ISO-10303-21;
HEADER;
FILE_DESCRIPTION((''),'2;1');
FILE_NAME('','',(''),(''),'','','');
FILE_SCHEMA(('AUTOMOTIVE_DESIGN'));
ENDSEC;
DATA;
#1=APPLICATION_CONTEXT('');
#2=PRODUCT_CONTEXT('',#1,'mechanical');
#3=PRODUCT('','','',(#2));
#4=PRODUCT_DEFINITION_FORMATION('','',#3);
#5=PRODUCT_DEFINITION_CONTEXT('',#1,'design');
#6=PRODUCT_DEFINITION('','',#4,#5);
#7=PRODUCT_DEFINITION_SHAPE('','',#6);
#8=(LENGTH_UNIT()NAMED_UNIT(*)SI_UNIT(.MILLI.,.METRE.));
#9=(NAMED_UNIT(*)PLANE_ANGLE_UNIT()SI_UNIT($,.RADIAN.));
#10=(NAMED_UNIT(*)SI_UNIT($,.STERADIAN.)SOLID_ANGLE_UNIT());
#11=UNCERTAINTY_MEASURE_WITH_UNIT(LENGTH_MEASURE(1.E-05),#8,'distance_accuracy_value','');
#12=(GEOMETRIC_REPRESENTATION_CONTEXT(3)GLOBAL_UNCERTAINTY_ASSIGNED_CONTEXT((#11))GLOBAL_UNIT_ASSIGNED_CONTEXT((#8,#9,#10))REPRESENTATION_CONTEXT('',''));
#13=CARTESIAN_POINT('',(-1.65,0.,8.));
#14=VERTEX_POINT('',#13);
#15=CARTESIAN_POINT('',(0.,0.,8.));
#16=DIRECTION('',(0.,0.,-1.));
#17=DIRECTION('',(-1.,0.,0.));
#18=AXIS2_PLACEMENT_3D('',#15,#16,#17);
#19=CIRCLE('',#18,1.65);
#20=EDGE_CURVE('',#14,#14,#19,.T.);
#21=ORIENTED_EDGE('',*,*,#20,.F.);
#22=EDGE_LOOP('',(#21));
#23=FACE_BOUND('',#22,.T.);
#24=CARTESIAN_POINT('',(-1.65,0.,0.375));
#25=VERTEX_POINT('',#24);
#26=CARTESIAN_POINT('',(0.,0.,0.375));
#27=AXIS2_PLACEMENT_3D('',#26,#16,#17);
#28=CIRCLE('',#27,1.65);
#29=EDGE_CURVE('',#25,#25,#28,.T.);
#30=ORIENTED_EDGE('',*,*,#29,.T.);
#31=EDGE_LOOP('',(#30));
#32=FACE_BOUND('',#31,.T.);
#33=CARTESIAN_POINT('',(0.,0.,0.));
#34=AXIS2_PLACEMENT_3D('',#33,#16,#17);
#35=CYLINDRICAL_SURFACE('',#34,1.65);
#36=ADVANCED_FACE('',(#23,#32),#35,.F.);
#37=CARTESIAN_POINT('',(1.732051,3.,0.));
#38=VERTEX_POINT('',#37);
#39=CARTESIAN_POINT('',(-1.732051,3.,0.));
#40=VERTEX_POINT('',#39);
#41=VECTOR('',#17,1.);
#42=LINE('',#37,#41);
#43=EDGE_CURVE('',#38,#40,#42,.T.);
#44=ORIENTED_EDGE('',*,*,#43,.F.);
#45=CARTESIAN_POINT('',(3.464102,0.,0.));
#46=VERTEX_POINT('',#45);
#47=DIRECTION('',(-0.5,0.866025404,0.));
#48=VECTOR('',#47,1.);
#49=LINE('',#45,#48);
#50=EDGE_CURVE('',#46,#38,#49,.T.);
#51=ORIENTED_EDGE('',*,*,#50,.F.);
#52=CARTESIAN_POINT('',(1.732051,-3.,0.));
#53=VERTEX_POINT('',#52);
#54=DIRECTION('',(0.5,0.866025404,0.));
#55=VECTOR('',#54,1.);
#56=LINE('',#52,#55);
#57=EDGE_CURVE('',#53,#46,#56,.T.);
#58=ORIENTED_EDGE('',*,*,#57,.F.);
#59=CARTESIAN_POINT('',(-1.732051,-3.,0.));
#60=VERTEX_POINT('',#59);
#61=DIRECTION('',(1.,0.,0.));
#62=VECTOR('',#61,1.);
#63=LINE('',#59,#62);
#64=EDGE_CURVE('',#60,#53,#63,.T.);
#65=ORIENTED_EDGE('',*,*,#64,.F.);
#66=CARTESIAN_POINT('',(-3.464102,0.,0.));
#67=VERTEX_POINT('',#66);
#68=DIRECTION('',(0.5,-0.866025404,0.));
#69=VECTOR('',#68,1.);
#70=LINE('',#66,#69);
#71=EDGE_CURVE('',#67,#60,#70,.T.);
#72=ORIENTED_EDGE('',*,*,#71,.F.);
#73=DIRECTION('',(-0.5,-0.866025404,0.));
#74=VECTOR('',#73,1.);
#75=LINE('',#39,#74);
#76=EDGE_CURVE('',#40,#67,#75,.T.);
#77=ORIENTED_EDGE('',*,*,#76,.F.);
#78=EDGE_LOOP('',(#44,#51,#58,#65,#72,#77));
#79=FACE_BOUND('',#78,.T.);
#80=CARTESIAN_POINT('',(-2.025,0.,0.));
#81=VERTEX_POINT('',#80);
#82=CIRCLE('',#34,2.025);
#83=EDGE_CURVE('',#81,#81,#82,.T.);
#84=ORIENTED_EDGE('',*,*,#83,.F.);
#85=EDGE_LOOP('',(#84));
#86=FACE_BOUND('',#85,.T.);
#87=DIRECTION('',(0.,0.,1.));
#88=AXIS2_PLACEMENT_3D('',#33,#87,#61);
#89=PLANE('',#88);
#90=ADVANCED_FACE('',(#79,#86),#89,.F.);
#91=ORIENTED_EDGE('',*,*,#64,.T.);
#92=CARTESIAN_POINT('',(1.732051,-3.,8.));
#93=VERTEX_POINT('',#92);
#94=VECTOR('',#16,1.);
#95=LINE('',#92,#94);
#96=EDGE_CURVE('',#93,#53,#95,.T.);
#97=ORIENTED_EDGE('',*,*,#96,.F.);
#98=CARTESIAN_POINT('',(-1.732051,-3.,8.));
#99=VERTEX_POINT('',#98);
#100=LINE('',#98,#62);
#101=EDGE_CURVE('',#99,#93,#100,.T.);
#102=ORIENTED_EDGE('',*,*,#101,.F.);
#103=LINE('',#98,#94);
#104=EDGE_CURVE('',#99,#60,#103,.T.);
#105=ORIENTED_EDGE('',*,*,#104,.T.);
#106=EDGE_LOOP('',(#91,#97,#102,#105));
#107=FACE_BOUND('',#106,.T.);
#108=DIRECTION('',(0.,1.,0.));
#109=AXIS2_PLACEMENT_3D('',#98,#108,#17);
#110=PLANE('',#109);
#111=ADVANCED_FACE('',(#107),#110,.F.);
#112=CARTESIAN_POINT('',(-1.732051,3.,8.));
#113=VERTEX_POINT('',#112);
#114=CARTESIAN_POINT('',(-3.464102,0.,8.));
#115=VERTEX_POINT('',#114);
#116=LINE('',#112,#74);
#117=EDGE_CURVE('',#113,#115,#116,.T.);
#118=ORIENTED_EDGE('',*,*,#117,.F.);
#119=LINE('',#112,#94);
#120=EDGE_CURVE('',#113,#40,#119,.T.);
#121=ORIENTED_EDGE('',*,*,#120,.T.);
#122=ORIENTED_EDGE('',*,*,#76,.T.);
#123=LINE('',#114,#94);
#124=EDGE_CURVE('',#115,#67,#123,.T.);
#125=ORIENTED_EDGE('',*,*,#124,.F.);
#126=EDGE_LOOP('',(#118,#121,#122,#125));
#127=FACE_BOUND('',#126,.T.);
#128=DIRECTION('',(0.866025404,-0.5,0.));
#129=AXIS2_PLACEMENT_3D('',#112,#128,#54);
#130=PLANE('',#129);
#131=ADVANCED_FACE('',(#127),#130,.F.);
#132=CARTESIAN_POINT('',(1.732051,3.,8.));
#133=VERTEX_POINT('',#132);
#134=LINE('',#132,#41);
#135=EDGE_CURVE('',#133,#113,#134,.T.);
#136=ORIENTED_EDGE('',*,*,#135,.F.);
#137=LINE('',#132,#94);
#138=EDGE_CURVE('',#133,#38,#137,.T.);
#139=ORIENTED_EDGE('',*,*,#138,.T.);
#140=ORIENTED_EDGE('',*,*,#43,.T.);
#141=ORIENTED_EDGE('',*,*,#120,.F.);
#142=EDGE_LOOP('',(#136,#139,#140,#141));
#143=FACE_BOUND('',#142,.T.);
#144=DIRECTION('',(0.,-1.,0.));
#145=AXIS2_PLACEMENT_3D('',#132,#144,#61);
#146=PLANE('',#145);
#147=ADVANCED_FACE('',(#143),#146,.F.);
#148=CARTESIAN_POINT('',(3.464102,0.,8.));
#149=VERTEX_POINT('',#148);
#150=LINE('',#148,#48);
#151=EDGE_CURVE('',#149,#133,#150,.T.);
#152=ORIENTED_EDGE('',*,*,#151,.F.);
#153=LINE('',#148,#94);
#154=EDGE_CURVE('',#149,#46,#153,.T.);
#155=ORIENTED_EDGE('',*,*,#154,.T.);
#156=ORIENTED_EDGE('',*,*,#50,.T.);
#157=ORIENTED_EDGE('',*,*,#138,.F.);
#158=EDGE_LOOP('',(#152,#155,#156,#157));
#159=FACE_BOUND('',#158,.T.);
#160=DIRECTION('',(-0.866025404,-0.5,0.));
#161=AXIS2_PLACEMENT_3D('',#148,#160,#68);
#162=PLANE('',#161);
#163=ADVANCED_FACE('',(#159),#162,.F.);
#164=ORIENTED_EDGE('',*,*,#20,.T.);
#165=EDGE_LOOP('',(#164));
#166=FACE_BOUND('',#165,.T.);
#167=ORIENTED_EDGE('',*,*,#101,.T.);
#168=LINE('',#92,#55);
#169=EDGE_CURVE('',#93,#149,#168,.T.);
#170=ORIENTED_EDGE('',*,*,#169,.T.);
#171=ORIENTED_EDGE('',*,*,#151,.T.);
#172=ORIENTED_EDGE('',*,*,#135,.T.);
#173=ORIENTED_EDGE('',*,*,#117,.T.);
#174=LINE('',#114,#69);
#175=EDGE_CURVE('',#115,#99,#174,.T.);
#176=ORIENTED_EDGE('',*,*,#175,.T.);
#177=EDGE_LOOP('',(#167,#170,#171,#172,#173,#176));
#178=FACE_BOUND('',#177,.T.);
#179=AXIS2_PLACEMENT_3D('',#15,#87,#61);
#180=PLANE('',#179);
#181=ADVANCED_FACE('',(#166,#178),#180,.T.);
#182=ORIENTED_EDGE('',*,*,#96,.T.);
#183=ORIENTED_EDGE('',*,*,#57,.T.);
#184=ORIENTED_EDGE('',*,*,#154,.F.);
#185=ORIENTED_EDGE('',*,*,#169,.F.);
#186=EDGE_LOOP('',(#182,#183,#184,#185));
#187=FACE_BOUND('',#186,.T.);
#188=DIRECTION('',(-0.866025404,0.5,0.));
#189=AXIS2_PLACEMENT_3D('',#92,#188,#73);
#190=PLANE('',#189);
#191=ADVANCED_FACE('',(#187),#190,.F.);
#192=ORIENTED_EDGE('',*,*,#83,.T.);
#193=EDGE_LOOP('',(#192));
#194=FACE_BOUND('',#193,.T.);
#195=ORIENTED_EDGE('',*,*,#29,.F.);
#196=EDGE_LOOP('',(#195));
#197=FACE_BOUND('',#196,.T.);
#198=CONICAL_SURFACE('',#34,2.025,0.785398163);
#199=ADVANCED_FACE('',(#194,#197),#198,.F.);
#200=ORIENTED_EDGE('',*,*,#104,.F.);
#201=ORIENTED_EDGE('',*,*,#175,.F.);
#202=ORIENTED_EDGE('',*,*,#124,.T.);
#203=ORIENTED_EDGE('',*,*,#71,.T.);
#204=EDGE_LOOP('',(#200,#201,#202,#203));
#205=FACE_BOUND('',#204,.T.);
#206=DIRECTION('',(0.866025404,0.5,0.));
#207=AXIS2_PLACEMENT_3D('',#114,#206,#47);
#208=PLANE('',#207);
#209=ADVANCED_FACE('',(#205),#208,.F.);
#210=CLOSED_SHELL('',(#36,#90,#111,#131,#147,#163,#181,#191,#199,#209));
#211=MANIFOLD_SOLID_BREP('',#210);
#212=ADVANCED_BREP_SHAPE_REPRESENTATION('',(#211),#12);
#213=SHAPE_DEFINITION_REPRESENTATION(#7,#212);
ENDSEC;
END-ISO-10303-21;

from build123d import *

# Parameters (mm, degrees)
EXTRUDE_1_DEPTH              = 8
HOLE_WIZARD_M4_1_D           = 3.3
HOLE_WIZARD_M4_1_CSINK_D     = 4.05
HOLE_WIZARD_M4_1_CSINK_ANGLE = 90


with BuildPart() as part:
    # 草图1 → 凸台-拉伸1 (new body)
    with BuildSketch(Plane.XY):
        Polygon((3.464101615, 0), (1.732050808, 3), (-1.732050808, 3), (-3.464101615, 0), (-1.732050808, -3), (1.732050808, -3), align=None)
    extrude(amount=EXTRUDE_1_DEPTH)

    # M4 螺纹孔1 (through all)
    with Locations(Plane(origin=(0, 0, 0), x_dir=(-1, 0, 0), z_dir=(0, 0, -1))):
        with Locations((0, 0)):
            CounterSinkHole(HOLE_WIZARD_M4_1_D / 2, HOLE_WIZARD_M4_1_CSINK_D / 2, counter_sink_angle=HOLE_WIZARD_M4_1_CSINK_ANGLE)


solid = part.part
